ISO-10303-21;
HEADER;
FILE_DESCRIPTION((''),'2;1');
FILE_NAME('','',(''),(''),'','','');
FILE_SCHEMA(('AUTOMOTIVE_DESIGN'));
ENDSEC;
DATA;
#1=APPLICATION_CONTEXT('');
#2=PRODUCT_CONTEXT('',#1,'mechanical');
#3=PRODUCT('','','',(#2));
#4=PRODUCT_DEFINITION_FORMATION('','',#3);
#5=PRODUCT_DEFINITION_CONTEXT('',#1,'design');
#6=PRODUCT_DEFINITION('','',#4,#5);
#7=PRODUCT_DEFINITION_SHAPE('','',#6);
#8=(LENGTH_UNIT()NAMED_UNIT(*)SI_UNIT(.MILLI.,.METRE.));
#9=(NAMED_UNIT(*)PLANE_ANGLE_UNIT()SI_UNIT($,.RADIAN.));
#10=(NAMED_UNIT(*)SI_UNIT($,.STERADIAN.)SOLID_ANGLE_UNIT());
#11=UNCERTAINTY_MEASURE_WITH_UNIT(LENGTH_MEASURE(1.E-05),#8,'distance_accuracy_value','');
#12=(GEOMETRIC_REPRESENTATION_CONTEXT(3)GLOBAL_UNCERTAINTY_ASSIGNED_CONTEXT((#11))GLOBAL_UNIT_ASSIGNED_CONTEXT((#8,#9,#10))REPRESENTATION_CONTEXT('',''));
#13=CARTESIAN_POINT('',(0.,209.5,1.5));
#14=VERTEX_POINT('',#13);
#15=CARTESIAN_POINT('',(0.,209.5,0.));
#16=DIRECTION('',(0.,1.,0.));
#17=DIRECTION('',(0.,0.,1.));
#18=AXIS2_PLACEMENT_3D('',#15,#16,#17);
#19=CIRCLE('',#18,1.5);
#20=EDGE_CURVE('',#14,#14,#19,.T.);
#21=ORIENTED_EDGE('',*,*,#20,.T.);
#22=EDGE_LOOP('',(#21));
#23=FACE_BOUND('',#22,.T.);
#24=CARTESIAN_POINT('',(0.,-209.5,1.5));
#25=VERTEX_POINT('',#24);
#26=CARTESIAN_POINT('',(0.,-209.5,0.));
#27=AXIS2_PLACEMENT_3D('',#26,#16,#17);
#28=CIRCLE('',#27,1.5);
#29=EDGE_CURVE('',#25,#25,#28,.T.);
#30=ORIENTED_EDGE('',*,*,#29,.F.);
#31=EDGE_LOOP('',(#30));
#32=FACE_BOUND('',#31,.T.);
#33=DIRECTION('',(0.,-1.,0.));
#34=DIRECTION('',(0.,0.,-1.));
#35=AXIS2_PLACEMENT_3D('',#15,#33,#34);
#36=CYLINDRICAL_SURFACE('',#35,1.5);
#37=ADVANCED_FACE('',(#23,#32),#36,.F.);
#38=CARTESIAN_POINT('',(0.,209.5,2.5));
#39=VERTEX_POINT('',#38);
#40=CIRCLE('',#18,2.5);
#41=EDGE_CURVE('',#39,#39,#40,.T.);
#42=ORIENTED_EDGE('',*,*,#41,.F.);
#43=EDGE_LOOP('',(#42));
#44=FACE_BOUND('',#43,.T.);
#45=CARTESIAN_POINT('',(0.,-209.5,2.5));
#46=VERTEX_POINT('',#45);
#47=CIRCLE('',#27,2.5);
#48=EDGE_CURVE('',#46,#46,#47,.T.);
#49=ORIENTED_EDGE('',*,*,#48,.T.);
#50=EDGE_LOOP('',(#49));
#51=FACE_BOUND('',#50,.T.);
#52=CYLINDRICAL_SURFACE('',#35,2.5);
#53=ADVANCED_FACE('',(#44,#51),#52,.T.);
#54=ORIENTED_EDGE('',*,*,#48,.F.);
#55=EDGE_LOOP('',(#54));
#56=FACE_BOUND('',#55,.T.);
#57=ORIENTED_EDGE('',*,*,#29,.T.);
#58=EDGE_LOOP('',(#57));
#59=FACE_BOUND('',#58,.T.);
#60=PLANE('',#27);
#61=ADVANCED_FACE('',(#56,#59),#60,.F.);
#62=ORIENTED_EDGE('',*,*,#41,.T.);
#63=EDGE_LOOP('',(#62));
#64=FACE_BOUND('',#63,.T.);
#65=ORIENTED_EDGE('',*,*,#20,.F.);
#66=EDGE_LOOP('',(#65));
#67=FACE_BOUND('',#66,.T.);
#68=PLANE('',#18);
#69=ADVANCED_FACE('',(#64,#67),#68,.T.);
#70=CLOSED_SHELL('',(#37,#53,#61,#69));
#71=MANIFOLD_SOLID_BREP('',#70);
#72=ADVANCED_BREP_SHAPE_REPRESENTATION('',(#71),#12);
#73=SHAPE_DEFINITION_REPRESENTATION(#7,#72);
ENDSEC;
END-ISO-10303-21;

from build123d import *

# Parameters (mm, degrees)
SKETCH2_R           = 2.5
SKETCH2_R_2         = 1.5
BOSS_EXTRUDE3_DEPTH = 209.5


with BuildPart() as part:
    # Sketch2 → Boss-Extrude3 (new body, symmetric)
    with BuildSketch(Plane(origin=(0, 0, 0), x_dir=(1, 0, 0), z_dir=(0, 1, 0))):
        Circle(SKETCH2_R)
        Circle(SKETCH2_R_2, mode=Mode.SUBTRACT)
    extrude(amount=BOSS_EXTRUDE3_DEPTH, both=True)


solid = part.part
